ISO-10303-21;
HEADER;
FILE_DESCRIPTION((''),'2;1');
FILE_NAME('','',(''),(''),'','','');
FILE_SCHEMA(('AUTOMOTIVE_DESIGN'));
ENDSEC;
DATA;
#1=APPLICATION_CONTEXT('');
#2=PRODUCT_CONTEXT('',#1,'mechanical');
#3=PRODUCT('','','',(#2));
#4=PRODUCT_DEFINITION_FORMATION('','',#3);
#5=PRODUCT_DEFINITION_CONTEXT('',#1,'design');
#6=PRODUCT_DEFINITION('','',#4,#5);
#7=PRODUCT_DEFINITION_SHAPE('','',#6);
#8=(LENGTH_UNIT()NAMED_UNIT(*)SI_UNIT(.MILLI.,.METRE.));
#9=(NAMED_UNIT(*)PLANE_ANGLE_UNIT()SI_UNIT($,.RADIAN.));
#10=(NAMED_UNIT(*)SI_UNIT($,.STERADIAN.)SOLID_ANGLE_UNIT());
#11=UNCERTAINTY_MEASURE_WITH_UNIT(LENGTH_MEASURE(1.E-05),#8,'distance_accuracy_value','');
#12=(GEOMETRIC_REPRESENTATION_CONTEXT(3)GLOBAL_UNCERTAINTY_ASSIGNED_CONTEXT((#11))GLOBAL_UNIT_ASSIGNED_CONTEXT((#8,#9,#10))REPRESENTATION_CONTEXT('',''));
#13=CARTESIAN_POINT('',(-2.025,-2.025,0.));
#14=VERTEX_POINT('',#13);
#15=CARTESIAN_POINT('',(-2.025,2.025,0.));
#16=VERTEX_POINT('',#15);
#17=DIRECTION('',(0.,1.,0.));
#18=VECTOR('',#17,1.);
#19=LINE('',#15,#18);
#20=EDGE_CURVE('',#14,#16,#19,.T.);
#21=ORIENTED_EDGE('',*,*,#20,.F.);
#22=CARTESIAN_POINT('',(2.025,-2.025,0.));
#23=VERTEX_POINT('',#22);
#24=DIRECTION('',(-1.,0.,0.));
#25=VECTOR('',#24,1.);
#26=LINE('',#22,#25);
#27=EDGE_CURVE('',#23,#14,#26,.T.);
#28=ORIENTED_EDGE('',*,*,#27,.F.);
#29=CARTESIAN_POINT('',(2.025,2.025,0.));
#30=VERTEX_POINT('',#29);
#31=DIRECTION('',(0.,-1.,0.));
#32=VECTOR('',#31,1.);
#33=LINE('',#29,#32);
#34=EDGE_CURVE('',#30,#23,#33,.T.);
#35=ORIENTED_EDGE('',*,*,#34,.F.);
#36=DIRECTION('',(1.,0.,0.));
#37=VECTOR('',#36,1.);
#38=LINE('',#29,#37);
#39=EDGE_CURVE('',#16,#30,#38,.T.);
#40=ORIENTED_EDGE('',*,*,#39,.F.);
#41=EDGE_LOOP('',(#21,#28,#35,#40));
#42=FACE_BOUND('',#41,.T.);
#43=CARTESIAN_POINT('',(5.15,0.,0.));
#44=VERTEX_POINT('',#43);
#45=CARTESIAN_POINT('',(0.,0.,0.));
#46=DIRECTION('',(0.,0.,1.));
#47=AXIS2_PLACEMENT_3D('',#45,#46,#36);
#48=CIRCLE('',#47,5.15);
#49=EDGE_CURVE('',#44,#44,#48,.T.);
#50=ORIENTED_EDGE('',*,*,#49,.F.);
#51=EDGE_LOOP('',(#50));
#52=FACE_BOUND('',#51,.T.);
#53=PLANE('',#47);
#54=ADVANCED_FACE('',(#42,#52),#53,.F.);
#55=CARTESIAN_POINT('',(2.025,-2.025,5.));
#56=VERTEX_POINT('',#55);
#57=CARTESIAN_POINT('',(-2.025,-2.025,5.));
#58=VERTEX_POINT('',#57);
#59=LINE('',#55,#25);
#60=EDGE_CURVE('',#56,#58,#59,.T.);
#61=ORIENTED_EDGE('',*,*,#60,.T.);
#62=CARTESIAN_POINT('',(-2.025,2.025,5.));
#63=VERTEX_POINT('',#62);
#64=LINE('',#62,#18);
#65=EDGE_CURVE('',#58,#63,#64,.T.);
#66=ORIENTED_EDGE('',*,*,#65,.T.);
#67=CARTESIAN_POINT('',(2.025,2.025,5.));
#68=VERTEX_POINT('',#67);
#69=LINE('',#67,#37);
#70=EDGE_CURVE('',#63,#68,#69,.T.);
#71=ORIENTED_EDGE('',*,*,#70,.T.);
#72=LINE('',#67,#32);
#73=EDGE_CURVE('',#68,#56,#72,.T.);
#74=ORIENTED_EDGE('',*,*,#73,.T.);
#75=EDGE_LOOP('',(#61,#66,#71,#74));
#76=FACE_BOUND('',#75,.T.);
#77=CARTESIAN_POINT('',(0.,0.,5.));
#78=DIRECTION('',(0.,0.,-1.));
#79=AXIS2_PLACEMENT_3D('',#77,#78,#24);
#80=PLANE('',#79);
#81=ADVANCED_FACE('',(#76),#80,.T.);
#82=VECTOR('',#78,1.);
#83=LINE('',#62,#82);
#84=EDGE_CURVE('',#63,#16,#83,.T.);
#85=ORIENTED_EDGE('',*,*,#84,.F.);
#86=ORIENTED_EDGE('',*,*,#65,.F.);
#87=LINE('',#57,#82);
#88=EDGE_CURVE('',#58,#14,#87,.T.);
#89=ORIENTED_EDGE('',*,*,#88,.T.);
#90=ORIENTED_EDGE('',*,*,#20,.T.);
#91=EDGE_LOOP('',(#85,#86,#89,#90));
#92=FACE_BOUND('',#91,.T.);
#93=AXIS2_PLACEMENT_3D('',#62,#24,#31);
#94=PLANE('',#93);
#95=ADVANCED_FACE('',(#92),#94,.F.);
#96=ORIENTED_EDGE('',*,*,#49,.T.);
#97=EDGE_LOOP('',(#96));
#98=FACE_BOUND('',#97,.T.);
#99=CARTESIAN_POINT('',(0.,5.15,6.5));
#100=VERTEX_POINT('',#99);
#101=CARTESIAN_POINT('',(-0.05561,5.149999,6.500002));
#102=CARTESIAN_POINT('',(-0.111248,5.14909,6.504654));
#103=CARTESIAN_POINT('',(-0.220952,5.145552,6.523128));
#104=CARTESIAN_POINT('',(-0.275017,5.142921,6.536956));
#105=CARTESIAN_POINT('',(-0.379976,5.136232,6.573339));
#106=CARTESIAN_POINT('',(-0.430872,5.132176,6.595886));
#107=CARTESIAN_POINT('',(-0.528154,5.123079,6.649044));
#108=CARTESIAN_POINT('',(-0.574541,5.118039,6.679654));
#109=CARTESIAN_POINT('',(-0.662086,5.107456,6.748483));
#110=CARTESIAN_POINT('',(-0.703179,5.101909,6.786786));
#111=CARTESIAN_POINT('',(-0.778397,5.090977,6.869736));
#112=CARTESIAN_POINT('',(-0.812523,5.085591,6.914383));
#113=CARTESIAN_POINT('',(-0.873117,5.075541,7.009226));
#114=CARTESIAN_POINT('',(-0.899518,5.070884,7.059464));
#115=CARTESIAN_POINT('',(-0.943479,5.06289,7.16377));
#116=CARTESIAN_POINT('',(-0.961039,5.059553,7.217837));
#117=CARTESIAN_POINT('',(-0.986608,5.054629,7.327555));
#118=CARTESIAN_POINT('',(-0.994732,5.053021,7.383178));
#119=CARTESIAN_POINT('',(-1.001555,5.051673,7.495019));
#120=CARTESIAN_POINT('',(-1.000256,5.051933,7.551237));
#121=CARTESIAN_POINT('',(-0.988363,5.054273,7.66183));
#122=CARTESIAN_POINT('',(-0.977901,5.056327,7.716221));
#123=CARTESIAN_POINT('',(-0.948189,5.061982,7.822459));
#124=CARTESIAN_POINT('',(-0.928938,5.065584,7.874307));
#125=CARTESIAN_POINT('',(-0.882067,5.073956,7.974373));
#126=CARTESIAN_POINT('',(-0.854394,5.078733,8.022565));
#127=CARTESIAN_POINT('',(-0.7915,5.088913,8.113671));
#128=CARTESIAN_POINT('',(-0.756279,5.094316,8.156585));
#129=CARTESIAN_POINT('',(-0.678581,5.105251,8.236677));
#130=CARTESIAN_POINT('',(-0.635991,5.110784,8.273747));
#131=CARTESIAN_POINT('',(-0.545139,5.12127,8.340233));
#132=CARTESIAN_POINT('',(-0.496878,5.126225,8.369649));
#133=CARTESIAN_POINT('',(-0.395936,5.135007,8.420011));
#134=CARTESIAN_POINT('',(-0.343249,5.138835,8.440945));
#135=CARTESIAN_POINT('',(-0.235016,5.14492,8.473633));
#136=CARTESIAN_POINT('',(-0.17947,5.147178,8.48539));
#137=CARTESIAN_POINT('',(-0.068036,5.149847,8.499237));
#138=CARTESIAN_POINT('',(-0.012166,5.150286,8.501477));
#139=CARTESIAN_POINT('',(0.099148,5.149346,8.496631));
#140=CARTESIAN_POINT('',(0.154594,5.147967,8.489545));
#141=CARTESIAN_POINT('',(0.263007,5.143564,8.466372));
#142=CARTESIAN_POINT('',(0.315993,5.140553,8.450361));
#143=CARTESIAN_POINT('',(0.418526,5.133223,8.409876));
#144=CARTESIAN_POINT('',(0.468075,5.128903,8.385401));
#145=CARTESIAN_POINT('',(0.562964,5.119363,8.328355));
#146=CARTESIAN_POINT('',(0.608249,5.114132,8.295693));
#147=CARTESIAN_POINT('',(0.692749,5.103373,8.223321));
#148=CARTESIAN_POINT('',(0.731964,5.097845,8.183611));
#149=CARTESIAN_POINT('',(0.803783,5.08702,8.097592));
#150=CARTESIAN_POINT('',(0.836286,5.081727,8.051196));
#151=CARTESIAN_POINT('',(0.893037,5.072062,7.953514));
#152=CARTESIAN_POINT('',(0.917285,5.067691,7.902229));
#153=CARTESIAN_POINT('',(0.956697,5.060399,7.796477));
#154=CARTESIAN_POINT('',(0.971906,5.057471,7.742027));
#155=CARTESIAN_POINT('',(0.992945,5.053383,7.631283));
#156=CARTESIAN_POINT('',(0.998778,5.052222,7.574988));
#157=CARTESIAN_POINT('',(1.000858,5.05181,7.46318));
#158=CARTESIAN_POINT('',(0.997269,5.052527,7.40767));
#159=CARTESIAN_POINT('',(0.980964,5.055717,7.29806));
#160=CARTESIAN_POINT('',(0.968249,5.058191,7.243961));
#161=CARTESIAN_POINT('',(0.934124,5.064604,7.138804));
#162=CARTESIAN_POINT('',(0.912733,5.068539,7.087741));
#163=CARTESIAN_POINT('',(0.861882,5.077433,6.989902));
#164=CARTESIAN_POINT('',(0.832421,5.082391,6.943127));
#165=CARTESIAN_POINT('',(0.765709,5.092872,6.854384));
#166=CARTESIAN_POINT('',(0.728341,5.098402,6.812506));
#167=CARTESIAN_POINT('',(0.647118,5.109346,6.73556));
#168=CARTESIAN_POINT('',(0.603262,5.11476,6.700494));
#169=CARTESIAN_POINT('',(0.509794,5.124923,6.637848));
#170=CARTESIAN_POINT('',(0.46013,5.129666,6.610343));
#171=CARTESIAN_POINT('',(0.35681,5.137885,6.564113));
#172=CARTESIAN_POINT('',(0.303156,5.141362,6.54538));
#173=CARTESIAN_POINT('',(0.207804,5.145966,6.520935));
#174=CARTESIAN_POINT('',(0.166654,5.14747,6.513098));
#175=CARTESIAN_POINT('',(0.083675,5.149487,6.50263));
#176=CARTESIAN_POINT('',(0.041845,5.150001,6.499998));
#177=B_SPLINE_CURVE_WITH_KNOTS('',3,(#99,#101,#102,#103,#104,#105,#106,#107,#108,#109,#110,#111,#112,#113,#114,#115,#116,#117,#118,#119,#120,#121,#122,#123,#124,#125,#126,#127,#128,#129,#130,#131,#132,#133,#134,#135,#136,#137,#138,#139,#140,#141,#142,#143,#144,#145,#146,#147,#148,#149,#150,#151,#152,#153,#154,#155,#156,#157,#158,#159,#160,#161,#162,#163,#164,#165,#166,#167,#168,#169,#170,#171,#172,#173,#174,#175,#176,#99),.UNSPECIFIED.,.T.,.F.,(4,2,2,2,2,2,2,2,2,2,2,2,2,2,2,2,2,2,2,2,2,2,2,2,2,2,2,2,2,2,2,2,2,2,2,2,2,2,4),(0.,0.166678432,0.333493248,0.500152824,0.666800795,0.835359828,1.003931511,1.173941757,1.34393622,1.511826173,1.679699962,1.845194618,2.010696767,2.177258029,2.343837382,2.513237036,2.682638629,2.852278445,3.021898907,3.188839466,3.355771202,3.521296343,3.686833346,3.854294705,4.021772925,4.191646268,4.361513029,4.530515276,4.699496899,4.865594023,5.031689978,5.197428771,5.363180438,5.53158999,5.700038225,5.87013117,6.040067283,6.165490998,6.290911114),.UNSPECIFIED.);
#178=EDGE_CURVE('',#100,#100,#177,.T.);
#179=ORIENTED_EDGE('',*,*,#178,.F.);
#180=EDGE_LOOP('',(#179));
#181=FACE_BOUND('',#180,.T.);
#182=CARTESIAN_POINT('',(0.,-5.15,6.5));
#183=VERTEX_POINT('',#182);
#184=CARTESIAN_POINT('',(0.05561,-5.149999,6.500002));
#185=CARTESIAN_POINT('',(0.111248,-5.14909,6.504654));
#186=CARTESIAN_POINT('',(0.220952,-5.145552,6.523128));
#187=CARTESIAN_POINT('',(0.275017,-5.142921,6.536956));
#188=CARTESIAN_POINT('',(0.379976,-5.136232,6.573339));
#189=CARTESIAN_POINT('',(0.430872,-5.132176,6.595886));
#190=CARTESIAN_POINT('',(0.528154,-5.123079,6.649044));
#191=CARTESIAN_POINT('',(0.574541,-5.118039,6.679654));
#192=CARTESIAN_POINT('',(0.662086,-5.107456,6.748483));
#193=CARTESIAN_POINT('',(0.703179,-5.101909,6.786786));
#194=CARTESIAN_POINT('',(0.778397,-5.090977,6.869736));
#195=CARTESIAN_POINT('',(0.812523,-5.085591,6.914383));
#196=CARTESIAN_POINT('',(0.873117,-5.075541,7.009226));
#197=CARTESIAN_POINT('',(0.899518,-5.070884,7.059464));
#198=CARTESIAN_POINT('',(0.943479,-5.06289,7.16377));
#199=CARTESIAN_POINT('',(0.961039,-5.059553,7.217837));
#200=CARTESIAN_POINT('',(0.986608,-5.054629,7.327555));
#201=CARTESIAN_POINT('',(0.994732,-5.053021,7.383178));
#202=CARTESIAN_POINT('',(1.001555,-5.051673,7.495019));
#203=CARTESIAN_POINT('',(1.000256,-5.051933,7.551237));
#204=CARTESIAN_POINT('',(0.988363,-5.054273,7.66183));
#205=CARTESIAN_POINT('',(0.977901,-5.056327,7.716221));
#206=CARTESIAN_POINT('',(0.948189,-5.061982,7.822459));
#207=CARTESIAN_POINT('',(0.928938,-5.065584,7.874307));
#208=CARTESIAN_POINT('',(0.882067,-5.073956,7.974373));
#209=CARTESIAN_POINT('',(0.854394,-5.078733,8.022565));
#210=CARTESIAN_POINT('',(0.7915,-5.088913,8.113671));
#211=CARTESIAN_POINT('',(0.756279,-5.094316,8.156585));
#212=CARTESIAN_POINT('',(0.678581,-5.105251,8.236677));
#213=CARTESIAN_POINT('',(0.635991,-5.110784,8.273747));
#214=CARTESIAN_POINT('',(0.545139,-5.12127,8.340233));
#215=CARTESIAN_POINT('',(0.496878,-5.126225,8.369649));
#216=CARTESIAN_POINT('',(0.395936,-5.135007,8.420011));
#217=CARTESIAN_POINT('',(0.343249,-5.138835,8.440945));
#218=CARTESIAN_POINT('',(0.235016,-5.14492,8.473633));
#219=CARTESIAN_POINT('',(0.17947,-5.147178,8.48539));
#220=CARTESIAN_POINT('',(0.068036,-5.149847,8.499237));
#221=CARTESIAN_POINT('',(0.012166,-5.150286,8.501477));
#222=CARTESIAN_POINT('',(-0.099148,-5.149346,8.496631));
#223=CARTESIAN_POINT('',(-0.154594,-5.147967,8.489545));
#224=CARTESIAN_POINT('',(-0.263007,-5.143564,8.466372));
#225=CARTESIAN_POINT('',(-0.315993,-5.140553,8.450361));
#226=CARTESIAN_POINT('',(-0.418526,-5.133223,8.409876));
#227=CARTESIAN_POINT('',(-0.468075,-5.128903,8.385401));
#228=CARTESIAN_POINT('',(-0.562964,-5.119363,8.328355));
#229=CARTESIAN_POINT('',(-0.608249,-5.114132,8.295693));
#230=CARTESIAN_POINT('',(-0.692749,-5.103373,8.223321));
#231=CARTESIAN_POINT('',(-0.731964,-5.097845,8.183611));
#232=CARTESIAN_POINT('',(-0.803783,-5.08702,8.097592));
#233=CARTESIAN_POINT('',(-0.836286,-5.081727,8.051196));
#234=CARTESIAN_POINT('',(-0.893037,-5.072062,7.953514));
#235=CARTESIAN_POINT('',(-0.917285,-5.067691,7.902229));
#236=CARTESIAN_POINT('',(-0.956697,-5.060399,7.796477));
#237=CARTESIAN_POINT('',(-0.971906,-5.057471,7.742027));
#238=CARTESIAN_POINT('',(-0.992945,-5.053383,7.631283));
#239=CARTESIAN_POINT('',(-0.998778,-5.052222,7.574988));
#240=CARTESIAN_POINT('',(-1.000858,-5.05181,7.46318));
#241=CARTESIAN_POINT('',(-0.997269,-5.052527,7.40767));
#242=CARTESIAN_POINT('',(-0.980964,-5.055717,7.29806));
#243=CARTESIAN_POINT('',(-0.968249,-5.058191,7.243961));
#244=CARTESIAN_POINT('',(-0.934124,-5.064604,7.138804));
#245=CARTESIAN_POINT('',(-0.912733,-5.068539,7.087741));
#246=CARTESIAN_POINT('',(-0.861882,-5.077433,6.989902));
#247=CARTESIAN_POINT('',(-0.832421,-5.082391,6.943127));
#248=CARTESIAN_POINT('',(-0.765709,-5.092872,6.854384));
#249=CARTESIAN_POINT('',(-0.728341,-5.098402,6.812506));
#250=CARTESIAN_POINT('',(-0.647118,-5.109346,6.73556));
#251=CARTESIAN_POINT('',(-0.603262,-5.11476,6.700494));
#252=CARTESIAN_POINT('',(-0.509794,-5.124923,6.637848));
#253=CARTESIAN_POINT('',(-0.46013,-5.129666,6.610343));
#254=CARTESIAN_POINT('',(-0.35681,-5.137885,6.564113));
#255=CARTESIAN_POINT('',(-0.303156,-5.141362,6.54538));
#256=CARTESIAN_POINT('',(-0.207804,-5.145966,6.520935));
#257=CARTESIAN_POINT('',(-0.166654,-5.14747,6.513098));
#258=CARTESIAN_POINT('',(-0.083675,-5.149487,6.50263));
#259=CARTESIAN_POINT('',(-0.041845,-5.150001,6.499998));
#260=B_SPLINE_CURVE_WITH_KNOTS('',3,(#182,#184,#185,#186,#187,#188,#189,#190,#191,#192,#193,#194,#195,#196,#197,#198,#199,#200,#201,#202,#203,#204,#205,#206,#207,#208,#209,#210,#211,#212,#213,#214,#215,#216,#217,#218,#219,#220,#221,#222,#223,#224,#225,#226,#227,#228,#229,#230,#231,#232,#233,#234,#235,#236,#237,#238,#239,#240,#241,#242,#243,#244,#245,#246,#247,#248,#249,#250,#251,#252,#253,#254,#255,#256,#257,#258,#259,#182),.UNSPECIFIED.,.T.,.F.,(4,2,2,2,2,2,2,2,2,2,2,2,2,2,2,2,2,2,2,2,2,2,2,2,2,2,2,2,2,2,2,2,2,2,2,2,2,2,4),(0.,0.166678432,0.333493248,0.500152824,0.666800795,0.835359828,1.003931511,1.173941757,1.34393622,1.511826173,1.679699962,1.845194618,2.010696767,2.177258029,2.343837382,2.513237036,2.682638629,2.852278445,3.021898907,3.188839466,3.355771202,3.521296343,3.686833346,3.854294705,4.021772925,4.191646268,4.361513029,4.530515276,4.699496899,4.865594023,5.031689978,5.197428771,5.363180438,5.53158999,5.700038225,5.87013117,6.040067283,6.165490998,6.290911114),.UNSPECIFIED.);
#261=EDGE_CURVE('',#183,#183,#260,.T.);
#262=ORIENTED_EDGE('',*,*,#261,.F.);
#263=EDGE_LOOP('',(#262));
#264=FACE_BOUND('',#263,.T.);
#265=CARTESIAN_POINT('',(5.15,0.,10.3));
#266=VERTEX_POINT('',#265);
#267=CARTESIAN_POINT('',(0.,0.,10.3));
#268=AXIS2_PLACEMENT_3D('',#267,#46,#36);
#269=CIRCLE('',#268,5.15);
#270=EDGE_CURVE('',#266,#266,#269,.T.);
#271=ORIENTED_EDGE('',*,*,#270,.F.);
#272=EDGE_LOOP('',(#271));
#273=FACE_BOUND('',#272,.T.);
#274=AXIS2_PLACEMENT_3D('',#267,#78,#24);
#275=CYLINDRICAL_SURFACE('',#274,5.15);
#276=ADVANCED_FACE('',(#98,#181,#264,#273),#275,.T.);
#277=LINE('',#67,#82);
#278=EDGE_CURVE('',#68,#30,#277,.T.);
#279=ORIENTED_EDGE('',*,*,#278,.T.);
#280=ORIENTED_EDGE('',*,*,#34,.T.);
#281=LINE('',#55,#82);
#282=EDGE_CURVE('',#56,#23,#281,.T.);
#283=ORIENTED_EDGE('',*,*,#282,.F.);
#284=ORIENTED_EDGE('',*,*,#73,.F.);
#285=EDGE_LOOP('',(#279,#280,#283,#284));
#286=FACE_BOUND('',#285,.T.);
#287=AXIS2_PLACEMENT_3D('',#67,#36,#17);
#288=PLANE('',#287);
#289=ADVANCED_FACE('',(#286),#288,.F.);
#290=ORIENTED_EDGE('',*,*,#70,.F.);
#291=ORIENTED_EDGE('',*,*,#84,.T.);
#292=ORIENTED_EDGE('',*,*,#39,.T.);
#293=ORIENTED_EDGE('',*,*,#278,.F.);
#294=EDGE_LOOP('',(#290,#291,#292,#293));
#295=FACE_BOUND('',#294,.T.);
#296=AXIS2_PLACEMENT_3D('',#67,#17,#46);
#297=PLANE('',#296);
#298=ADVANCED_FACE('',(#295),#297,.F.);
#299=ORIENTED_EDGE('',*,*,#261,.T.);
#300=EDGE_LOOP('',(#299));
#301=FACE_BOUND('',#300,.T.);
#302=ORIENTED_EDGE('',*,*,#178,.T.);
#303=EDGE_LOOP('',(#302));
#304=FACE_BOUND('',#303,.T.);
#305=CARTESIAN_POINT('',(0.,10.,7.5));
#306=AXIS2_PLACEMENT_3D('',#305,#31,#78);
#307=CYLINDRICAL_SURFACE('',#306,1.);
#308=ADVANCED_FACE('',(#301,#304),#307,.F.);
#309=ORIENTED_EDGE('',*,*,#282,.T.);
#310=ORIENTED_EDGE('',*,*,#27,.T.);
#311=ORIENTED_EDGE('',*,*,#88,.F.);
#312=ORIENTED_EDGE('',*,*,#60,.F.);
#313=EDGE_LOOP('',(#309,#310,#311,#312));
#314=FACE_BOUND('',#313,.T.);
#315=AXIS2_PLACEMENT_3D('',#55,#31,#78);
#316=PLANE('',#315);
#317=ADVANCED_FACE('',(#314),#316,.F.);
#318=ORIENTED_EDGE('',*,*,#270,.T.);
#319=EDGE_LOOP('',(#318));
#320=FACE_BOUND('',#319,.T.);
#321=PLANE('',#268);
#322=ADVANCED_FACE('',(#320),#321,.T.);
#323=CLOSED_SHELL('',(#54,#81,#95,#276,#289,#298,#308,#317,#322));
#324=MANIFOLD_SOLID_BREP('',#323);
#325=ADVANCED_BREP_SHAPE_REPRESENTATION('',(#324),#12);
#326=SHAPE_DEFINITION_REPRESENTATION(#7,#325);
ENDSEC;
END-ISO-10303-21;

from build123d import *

# Parameters (mm, degrees)
SKETCH1_R               = 5.15
BOSS_EXTRUDE1_DEPTH     = 10.3
CUT_EXTRUDE1_DEPTH      = 10
CUT_EXTRUDE1_DEPTH_BACK = 10
SKETCH2_R               = 1
SKETCH3_W               = 4.05
SKETCH3_H               = 4.05
CUT_EXTRUDE2_DEPTH      = 5


with BuildPart() as part:
    # Sketch1 → Boss-Extrude1 (new body)
    with BuildSketch(Plane.XY):
        Circle(SKETCH1_R)
    extrude(amount=BOSS_EXTRUDE1_DEPTH)

    # Sketch2 → Cut-Extrude1 (cut, two sides: drawn at the far end of the back side and taken through both)
    with BuildSketch(Plane(origin=(0, 0, 0), x_dir=(1, 0, 0), z_dir=(0, 1, 0)).offset(-CUT_EXTRUDE1_DEPTH_BACK)):
        with Locations((0, -7.5)):
            Circle(SKETCH2_R)
    extrude(amount=CUT_EXTRUDE1_DEPTH + CUT_EXTRUDE1_DEPTH_BACK, mode=Mode.SUBTRACT)

    # Sketch3 → Cut-Extrude2 (cut)
    with BuildSketch(Plane(origin=(0, 0, 0), x_dir=(-1, 0, 0), z_dir=(0, 0, -1))):
        Rectangle(SKETCH3_W, SKETCH3_H)
    extrude(amount=-CUT_EXTRUDE2_DEPTH, mode=Mode.SUBTRACT)


solid = part.part
